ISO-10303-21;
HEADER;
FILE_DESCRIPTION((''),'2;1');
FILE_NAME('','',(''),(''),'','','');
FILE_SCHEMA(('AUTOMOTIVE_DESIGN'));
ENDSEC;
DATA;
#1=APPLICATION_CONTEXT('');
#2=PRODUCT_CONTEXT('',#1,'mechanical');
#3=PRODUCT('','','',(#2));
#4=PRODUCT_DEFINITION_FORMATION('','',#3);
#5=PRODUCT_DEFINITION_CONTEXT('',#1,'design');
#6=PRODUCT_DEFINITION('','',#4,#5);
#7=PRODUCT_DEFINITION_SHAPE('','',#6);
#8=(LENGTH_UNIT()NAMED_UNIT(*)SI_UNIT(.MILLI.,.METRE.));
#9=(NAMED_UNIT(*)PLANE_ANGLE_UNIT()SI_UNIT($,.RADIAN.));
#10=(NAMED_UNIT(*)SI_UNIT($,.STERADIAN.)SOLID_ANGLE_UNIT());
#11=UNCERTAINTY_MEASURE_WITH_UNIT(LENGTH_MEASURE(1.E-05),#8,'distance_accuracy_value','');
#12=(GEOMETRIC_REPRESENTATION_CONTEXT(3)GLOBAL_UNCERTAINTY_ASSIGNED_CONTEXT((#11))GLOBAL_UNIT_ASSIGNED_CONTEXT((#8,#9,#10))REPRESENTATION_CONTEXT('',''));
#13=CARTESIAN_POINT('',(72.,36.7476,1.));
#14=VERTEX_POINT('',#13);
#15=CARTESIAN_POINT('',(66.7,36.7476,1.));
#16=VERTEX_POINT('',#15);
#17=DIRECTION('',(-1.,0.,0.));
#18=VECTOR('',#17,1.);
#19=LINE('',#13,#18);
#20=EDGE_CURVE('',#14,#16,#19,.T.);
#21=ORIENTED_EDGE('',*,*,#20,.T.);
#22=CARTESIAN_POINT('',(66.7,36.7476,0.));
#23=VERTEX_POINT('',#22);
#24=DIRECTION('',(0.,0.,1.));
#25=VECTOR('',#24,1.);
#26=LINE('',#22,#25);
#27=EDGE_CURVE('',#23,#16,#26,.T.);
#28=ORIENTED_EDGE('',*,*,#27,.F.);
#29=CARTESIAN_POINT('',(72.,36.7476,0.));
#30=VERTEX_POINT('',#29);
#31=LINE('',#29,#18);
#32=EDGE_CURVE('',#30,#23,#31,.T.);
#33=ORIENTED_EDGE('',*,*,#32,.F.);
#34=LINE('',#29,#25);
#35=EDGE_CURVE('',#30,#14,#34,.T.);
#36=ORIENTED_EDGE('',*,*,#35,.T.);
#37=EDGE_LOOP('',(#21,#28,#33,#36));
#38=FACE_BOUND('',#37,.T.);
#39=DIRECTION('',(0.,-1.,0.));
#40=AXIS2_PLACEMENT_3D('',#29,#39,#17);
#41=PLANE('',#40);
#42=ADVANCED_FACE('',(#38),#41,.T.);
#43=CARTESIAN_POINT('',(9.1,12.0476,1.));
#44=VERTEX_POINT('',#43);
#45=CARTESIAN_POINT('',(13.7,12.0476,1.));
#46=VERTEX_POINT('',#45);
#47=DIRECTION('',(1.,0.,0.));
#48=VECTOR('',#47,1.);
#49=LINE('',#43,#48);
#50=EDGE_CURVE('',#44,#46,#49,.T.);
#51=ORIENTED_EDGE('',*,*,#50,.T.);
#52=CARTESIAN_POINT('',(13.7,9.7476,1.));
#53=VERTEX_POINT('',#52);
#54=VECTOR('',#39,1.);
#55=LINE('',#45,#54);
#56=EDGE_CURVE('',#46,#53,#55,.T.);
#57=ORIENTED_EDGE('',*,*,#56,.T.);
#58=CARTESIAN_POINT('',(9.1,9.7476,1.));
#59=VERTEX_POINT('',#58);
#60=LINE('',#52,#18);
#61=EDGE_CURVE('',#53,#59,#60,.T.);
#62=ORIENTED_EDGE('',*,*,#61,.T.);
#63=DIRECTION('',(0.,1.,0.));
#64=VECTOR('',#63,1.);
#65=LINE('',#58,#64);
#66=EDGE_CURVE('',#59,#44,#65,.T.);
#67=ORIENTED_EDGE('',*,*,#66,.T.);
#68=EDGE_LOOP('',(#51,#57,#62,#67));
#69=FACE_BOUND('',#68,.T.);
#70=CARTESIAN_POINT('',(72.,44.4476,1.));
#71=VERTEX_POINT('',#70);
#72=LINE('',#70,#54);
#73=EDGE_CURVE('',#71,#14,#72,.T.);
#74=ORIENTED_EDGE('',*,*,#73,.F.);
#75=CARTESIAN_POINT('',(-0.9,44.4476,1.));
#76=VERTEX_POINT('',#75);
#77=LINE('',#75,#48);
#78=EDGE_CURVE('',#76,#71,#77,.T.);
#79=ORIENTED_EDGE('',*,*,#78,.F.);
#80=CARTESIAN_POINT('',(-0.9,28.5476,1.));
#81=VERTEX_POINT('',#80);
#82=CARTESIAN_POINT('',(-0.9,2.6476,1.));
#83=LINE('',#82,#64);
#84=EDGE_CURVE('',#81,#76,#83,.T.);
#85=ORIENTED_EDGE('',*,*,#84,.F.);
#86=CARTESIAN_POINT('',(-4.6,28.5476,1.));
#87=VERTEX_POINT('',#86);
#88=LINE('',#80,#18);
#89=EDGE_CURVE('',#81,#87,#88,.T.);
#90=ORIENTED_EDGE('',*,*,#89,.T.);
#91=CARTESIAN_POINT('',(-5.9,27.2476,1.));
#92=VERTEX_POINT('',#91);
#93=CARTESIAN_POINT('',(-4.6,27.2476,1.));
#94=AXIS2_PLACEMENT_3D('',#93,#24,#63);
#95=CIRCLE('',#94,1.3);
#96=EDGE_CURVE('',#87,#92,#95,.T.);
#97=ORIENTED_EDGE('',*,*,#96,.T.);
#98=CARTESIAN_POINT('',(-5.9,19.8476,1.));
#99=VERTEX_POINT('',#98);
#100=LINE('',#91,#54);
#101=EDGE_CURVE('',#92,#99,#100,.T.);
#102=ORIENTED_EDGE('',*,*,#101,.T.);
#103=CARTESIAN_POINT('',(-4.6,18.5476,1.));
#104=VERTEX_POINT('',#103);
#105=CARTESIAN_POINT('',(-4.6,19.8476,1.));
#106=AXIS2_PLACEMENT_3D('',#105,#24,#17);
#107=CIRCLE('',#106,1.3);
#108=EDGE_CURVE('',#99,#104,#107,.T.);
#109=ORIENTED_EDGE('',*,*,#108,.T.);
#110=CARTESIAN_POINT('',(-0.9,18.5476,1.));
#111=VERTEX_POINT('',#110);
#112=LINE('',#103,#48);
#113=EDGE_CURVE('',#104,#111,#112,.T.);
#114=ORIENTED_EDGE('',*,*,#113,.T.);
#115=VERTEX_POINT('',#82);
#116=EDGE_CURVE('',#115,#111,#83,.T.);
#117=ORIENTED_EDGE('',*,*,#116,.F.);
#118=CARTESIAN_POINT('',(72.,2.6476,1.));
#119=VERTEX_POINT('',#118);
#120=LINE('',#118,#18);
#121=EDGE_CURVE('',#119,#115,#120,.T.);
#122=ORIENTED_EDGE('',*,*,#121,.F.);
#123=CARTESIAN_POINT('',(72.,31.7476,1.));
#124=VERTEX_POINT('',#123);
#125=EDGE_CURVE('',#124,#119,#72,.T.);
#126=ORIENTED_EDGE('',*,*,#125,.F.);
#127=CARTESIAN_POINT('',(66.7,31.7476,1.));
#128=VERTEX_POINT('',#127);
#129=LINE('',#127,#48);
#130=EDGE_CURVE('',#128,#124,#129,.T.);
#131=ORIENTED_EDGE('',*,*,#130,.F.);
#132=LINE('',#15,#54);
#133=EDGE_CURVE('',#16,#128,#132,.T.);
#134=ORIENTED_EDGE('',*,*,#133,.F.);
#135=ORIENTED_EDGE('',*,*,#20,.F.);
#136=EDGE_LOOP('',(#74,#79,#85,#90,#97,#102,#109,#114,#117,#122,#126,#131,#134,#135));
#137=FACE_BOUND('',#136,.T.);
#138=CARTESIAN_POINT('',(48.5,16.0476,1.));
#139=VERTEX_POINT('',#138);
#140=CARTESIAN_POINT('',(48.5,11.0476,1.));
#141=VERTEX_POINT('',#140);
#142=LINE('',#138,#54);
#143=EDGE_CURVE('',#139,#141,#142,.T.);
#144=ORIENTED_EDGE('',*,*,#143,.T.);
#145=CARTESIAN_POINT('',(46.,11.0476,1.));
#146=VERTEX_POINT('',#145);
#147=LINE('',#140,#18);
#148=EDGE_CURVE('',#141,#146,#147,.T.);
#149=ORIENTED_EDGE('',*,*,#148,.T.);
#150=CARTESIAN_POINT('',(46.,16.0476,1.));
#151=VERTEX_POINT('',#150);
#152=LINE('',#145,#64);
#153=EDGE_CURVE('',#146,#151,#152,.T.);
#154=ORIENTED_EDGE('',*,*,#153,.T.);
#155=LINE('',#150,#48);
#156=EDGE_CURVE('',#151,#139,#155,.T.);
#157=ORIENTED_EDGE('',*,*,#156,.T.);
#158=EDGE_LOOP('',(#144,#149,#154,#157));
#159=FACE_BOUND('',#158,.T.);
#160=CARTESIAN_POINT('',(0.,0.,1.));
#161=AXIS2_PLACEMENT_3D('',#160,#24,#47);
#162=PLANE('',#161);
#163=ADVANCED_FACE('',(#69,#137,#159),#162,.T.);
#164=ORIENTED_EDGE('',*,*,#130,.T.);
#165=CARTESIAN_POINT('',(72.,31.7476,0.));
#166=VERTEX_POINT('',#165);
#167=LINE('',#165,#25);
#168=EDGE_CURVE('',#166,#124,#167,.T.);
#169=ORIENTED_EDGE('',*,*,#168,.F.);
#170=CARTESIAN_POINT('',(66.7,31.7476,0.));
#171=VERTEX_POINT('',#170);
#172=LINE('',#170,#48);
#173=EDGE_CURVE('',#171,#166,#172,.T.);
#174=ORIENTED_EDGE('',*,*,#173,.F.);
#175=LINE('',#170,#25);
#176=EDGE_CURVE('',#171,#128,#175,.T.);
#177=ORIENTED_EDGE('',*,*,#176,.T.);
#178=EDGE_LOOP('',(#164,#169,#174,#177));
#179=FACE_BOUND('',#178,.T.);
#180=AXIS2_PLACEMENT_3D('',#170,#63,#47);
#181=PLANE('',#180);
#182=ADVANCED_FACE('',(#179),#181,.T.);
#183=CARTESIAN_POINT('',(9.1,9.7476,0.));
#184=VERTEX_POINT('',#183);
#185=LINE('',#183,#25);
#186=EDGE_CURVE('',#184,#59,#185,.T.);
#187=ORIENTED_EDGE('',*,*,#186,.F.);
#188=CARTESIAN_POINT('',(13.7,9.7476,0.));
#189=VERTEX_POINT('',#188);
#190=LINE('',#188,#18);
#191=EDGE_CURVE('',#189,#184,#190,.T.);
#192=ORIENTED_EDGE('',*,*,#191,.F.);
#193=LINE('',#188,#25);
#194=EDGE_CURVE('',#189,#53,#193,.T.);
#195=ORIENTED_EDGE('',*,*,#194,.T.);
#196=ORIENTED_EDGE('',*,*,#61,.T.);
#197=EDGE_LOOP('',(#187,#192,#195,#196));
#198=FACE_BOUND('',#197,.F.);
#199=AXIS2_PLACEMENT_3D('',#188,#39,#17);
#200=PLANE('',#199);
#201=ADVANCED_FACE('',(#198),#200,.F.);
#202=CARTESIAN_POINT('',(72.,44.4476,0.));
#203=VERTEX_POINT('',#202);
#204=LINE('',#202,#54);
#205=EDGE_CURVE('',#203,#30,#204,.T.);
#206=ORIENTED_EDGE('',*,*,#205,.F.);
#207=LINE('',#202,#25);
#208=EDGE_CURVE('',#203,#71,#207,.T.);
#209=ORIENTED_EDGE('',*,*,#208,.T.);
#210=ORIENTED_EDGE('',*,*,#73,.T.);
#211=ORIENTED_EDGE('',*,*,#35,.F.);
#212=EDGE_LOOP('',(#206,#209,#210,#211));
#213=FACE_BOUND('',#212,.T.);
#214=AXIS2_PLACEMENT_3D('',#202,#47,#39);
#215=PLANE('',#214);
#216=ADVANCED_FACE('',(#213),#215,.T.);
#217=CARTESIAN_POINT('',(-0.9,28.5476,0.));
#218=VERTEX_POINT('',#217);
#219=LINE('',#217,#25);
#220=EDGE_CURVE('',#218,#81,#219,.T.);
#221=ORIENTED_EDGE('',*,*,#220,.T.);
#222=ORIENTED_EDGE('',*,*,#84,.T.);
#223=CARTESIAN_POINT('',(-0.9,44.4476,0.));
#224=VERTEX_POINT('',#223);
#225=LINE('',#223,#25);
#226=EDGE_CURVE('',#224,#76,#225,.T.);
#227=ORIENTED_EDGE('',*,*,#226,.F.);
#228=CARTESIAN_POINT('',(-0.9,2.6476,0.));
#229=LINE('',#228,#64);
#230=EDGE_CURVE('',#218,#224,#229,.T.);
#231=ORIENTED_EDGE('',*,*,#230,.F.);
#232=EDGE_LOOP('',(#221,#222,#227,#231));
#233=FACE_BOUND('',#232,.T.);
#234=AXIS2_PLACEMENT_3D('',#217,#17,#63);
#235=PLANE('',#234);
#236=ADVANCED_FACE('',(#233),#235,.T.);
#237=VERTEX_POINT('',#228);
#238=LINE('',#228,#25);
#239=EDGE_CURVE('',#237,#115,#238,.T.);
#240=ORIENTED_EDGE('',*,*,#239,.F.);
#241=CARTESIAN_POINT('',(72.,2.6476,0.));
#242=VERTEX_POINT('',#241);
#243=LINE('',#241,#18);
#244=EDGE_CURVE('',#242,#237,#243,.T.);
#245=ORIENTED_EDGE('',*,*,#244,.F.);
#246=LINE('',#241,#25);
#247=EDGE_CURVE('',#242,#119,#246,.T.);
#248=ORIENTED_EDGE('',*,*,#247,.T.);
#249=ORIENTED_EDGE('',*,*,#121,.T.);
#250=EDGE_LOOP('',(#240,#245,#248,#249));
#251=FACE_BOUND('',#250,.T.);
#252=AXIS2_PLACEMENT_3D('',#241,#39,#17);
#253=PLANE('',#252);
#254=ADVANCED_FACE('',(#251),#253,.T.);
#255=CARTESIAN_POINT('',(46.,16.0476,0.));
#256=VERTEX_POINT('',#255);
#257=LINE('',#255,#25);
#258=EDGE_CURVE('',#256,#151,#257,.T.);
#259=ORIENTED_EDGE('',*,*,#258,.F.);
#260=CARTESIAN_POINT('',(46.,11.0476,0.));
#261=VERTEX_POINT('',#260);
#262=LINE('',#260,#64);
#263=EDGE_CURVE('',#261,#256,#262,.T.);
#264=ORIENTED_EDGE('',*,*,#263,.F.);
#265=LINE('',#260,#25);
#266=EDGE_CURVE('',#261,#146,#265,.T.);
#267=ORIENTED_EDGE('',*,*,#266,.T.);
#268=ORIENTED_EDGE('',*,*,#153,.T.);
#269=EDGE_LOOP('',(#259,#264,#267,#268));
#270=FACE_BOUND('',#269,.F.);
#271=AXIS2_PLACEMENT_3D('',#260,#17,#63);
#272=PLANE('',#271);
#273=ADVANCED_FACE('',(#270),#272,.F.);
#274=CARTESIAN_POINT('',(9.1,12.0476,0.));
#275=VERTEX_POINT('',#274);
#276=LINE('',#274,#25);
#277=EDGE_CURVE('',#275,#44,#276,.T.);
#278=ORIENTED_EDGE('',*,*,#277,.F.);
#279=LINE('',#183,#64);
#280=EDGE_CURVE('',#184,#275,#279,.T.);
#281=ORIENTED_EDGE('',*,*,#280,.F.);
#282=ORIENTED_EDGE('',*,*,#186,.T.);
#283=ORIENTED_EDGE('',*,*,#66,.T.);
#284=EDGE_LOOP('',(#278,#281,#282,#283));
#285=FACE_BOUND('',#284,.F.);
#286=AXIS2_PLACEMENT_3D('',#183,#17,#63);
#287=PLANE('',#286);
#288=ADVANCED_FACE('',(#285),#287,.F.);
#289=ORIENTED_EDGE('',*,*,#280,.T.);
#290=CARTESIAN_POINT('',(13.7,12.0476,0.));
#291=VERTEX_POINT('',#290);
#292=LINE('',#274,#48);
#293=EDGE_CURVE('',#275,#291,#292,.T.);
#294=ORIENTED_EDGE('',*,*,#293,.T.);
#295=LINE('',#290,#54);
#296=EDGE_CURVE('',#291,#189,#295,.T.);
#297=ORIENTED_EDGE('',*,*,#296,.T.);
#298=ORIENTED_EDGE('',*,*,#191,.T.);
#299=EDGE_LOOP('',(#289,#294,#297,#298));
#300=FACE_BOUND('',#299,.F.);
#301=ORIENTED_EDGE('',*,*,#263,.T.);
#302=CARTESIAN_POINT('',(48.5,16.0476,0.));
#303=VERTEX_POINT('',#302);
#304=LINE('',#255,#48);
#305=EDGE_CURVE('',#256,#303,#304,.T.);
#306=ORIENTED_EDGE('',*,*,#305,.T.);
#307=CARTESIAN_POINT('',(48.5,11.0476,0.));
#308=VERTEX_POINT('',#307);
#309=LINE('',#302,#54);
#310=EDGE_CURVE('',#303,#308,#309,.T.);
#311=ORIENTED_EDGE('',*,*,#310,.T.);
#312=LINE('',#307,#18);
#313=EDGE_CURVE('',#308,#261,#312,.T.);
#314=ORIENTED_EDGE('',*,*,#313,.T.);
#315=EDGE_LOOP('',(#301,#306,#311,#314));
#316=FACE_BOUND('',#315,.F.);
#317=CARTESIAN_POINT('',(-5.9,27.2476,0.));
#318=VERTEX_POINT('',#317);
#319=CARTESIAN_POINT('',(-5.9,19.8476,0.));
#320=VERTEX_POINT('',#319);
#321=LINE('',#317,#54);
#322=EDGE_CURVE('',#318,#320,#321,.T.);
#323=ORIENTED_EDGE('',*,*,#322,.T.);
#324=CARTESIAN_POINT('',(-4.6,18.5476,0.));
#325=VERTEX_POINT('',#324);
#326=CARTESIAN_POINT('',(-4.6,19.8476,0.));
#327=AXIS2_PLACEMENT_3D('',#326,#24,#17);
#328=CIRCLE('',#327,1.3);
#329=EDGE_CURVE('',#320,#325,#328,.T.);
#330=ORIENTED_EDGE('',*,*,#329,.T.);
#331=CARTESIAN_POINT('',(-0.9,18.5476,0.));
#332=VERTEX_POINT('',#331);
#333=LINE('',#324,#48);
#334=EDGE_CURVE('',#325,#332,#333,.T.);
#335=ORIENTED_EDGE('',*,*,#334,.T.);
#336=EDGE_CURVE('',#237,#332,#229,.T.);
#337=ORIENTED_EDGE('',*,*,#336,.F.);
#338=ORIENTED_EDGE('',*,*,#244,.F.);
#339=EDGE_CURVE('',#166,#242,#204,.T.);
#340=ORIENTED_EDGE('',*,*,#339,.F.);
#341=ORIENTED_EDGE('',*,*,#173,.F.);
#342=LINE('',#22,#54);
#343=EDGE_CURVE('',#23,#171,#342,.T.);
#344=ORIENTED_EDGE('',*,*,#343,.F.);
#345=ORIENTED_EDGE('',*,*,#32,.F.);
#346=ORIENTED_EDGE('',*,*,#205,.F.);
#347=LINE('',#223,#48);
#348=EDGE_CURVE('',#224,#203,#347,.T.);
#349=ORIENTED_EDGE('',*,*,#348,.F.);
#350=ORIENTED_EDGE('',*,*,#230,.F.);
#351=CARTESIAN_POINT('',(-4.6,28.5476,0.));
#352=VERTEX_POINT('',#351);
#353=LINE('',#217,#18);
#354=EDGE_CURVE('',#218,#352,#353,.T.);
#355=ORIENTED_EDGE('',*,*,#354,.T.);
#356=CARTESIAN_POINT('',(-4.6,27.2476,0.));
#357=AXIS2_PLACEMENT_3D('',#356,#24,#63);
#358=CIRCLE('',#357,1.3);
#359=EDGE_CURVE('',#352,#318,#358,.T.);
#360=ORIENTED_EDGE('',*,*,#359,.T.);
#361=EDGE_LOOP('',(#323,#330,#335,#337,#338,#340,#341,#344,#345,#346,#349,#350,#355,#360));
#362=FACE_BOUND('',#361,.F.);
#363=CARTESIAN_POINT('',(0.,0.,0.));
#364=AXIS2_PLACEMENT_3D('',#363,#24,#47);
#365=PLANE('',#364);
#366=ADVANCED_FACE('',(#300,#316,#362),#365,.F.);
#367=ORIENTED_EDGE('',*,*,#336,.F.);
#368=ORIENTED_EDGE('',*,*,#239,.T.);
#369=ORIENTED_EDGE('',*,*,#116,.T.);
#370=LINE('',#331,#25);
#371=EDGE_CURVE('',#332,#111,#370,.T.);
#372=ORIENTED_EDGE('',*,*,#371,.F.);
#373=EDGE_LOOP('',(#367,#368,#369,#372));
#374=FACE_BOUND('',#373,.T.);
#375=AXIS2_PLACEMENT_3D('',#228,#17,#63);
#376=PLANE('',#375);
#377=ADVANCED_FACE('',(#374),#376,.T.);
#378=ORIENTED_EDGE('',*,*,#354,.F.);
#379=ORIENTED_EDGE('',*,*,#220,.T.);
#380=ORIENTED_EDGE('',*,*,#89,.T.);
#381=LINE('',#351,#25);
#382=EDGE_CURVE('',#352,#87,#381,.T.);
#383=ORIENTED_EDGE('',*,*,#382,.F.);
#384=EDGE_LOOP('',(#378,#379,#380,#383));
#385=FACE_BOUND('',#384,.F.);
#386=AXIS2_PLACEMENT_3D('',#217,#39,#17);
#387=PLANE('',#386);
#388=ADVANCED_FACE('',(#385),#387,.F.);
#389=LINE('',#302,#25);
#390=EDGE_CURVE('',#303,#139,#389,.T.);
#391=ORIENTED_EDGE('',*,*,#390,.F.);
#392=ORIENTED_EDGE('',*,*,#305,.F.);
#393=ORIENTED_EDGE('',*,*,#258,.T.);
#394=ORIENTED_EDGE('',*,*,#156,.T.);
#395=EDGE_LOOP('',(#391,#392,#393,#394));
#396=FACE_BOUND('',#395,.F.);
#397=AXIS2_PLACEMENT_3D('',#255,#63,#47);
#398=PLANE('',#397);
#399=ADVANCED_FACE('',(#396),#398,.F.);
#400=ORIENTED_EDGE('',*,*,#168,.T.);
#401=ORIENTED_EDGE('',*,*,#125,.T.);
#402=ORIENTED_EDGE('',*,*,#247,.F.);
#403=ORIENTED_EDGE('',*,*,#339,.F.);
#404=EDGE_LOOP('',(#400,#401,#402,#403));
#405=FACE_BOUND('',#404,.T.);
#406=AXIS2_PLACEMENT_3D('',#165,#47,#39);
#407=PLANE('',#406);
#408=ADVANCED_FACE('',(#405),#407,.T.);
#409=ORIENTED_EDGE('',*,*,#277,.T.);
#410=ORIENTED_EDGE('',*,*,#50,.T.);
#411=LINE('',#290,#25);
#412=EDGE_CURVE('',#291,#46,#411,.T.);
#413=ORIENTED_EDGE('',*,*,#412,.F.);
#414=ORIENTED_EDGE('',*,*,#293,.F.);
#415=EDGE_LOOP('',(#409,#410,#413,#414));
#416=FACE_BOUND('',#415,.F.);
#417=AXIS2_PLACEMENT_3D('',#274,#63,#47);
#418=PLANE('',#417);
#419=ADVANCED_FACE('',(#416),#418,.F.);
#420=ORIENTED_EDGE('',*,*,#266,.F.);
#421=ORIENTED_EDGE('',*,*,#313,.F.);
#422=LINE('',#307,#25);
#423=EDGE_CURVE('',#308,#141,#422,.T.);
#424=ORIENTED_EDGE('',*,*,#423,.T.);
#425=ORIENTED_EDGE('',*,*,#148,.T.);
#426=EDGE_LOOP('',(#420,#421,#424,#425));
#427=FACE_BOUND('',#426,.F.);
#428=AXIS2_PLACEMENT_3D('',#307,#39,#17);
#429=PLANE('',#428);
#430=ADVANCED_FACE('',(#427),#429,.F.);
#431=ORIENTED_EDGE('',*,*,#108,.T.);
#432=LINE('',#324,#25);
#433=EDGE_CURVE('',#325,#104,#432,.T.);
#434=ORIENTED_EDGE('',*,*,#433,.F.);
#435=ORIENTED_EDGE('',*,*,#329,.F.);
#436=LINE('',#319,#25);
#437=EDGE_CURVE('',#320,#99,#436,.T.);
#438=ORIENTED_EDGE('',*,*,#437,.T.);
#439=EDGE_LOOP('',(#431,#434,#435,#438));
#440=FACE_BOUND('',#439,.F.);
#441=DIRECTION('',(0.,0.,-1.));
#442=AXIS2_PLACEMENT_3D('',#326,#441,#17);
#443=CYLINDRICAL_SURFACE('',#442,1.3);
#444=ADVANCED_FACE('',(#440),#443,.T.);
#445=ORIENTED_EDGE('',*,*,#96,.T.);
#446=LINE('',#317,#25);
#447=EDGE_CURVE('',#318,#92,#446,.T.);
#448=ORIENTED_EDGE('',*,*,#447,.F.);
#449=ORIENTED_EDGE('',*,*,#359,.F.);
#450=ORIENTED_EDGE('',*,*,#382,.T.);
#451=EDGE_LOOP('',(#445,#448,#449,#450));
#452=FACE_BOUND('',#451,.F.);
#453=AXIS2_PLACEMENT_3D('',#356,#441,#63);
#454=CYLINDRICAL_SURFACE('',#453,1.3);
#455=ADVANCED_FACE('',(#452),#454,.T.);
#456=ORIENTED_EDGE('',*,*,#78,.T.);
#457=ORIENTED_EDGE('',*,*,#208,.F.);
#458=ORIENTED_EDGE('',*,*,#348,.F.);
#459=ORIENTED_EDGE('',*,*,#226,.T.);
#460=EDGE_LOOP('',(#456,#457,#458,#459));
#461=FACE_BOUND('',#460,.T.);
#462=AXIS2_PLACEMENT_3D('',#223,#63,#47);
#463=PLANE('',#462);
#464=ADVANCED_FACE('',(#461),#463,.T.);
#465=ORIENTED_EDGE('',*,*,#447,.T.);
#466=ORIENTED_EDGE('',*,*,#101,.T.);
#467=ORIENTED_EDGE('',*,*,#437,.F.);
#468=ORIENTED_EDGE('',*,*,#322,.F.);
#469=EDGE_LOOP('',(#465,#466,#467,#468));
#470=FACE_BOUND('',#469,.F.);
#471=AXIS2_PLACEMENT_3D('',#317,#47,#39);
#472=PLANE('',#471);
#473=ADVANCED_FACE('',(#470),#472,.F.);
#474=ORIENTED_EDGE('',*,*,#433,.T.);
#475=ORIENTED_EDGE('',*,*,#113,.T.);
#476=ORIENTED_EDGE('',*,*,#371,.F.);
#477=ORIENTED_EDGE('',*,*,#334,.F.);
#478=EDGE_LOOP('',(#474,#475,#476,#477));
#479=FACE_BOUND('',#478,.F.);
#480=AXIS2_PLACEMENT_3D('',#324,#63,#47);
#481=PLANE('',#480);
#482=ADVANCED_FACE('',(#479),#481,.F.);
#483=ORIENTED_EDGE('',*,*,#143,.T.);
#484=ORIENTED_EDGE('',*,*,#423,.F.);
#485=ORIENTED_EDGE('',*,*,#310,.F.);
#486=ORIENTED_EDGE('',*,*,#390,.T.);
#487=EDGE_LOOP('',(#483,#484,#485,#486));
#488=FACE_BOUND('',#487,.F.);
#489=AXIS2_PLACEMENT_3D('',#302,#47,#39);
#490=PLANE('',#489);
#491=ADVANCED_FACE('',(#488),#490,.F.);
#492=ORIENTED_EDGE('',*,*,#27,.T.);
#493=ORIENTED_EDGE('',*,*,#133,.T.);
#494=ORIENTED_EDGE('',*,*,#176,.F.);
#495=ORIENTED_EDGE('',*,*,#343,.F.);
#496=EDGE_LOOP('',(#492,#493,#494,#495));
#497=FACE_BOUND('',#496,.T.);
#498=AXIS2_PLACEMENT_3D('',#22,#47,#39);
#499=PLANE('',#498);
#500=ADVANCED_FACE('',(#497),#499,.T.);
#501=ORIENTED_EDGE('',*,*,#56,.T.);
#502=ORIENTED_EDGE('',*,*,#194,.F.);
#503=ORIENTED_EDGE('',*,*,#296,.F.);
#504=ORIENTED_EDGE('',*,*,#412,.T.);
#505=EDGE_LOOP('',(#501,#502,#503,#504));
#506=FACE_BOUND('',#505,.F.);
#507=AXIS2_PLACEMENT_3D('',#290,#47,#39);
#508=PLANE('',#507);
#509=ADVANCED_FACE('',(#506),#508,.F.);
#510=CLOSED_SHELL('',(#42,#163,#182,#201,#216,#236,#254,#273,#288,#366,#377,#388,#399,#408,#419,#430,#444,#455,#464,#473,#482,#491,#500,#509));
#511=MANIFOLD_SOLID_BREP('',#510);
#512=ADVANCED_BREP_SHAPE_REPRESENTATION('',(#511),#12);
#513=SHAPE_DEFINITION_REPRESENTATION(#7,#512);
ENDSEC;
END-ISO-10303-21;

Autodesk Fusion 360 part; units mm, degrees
sketch "Sketch1" plane through (0, 0, 0) normal (0, 0, 1) x (1, 0, 0)
  line L0 (-0.9, 44.4476) -> (72, 44.4476)
  line L1 (72, 44.4476) -> (72, 2.6476)
  line L2 (72, 2.6476) -> (-0.9, 2.6476)
  line L3 (-0.9, 2.6476) -> (-0.9, 44.4476)
  line L4 (-0.9, 23.5476) -> (72, 23.5476) construction
  line L5 (-0.9, 28.5476) -> (-4.6, 28.5476)
  line L6 (-5.9, 27.2476) -> (-5.9, 19.8476)
  line L7 (-4.6, 18.5476) -> (-0.9, 18.5476)
  line L8 (-0.9, 18.5476) -> (-0.9, 28.5476)
  arc A0 (-4.6, 28.5476) -> (-5.9, 27.2476) centre (-4.6, 27.2476) ccw
  arc A1 (-5.9, 19.8476) -> (-4.6, 18.5476) centre (-4.6, 19.8476) ccw
  line L9 (72, 36.7476) -> (66.7, 36.7476)
  line L10 (66.7, 36.7476) -> (66.7, 31.7476)
  line L11 (66.7, 31.7476) -> (72, 31.7476)
  line L12 (72, 31.7476) -> (72, 36.7476)
  line L13 (46, 16.0476) -> (48.5, 16.0476)
  line L14 (48.5, 16.0476) -> (48.5, 11.0476)
  line L15 (48.5, 11.0476) -> (46, 11.0476)
  line L16 (46, 11.0476) -> (46, 16.0476)
  line L17 (9.1, 12.0476) -> (13.7, 12.0476)
  line L18 (13.7, 12.0476) -> (13.7, 9.7476)
  line L19 (13.7, 9.7476) -> (9.1, 9.7476)
  line L20 (9.1, 9.7476) -> (9.1, 12.0476)
  point P0 (-5.9, 28.5476)
  point P1 (-5.9, 18.5476)
  dimension "d1" = 72.9
  dimension "d2" = 41.8
  dimension "d7" = 10
  dimension "d8" = 5
  dimension "d9" = 1.3
  dimension "d10" = 5.3
  dimension "d11" = 5
  dimension "d12" = 7.7
  dimension "d13" = 2.5
  dimension "d14" = 5
  dimension "d15" = 8.4
  dimension "d16" = 23.5
  dimension "d17" = 2.3
  dimension "d18" = 7.1
  dimension "d19" = 10
  dimension "d20" = 14.6
extrude "Extrude1" add sketch "Sketch1" along normal blind 1 contours L0 L1 L2 L3 L8 L9 L10 L11 | L3 L5 L6 L7 L8 A0 A1
